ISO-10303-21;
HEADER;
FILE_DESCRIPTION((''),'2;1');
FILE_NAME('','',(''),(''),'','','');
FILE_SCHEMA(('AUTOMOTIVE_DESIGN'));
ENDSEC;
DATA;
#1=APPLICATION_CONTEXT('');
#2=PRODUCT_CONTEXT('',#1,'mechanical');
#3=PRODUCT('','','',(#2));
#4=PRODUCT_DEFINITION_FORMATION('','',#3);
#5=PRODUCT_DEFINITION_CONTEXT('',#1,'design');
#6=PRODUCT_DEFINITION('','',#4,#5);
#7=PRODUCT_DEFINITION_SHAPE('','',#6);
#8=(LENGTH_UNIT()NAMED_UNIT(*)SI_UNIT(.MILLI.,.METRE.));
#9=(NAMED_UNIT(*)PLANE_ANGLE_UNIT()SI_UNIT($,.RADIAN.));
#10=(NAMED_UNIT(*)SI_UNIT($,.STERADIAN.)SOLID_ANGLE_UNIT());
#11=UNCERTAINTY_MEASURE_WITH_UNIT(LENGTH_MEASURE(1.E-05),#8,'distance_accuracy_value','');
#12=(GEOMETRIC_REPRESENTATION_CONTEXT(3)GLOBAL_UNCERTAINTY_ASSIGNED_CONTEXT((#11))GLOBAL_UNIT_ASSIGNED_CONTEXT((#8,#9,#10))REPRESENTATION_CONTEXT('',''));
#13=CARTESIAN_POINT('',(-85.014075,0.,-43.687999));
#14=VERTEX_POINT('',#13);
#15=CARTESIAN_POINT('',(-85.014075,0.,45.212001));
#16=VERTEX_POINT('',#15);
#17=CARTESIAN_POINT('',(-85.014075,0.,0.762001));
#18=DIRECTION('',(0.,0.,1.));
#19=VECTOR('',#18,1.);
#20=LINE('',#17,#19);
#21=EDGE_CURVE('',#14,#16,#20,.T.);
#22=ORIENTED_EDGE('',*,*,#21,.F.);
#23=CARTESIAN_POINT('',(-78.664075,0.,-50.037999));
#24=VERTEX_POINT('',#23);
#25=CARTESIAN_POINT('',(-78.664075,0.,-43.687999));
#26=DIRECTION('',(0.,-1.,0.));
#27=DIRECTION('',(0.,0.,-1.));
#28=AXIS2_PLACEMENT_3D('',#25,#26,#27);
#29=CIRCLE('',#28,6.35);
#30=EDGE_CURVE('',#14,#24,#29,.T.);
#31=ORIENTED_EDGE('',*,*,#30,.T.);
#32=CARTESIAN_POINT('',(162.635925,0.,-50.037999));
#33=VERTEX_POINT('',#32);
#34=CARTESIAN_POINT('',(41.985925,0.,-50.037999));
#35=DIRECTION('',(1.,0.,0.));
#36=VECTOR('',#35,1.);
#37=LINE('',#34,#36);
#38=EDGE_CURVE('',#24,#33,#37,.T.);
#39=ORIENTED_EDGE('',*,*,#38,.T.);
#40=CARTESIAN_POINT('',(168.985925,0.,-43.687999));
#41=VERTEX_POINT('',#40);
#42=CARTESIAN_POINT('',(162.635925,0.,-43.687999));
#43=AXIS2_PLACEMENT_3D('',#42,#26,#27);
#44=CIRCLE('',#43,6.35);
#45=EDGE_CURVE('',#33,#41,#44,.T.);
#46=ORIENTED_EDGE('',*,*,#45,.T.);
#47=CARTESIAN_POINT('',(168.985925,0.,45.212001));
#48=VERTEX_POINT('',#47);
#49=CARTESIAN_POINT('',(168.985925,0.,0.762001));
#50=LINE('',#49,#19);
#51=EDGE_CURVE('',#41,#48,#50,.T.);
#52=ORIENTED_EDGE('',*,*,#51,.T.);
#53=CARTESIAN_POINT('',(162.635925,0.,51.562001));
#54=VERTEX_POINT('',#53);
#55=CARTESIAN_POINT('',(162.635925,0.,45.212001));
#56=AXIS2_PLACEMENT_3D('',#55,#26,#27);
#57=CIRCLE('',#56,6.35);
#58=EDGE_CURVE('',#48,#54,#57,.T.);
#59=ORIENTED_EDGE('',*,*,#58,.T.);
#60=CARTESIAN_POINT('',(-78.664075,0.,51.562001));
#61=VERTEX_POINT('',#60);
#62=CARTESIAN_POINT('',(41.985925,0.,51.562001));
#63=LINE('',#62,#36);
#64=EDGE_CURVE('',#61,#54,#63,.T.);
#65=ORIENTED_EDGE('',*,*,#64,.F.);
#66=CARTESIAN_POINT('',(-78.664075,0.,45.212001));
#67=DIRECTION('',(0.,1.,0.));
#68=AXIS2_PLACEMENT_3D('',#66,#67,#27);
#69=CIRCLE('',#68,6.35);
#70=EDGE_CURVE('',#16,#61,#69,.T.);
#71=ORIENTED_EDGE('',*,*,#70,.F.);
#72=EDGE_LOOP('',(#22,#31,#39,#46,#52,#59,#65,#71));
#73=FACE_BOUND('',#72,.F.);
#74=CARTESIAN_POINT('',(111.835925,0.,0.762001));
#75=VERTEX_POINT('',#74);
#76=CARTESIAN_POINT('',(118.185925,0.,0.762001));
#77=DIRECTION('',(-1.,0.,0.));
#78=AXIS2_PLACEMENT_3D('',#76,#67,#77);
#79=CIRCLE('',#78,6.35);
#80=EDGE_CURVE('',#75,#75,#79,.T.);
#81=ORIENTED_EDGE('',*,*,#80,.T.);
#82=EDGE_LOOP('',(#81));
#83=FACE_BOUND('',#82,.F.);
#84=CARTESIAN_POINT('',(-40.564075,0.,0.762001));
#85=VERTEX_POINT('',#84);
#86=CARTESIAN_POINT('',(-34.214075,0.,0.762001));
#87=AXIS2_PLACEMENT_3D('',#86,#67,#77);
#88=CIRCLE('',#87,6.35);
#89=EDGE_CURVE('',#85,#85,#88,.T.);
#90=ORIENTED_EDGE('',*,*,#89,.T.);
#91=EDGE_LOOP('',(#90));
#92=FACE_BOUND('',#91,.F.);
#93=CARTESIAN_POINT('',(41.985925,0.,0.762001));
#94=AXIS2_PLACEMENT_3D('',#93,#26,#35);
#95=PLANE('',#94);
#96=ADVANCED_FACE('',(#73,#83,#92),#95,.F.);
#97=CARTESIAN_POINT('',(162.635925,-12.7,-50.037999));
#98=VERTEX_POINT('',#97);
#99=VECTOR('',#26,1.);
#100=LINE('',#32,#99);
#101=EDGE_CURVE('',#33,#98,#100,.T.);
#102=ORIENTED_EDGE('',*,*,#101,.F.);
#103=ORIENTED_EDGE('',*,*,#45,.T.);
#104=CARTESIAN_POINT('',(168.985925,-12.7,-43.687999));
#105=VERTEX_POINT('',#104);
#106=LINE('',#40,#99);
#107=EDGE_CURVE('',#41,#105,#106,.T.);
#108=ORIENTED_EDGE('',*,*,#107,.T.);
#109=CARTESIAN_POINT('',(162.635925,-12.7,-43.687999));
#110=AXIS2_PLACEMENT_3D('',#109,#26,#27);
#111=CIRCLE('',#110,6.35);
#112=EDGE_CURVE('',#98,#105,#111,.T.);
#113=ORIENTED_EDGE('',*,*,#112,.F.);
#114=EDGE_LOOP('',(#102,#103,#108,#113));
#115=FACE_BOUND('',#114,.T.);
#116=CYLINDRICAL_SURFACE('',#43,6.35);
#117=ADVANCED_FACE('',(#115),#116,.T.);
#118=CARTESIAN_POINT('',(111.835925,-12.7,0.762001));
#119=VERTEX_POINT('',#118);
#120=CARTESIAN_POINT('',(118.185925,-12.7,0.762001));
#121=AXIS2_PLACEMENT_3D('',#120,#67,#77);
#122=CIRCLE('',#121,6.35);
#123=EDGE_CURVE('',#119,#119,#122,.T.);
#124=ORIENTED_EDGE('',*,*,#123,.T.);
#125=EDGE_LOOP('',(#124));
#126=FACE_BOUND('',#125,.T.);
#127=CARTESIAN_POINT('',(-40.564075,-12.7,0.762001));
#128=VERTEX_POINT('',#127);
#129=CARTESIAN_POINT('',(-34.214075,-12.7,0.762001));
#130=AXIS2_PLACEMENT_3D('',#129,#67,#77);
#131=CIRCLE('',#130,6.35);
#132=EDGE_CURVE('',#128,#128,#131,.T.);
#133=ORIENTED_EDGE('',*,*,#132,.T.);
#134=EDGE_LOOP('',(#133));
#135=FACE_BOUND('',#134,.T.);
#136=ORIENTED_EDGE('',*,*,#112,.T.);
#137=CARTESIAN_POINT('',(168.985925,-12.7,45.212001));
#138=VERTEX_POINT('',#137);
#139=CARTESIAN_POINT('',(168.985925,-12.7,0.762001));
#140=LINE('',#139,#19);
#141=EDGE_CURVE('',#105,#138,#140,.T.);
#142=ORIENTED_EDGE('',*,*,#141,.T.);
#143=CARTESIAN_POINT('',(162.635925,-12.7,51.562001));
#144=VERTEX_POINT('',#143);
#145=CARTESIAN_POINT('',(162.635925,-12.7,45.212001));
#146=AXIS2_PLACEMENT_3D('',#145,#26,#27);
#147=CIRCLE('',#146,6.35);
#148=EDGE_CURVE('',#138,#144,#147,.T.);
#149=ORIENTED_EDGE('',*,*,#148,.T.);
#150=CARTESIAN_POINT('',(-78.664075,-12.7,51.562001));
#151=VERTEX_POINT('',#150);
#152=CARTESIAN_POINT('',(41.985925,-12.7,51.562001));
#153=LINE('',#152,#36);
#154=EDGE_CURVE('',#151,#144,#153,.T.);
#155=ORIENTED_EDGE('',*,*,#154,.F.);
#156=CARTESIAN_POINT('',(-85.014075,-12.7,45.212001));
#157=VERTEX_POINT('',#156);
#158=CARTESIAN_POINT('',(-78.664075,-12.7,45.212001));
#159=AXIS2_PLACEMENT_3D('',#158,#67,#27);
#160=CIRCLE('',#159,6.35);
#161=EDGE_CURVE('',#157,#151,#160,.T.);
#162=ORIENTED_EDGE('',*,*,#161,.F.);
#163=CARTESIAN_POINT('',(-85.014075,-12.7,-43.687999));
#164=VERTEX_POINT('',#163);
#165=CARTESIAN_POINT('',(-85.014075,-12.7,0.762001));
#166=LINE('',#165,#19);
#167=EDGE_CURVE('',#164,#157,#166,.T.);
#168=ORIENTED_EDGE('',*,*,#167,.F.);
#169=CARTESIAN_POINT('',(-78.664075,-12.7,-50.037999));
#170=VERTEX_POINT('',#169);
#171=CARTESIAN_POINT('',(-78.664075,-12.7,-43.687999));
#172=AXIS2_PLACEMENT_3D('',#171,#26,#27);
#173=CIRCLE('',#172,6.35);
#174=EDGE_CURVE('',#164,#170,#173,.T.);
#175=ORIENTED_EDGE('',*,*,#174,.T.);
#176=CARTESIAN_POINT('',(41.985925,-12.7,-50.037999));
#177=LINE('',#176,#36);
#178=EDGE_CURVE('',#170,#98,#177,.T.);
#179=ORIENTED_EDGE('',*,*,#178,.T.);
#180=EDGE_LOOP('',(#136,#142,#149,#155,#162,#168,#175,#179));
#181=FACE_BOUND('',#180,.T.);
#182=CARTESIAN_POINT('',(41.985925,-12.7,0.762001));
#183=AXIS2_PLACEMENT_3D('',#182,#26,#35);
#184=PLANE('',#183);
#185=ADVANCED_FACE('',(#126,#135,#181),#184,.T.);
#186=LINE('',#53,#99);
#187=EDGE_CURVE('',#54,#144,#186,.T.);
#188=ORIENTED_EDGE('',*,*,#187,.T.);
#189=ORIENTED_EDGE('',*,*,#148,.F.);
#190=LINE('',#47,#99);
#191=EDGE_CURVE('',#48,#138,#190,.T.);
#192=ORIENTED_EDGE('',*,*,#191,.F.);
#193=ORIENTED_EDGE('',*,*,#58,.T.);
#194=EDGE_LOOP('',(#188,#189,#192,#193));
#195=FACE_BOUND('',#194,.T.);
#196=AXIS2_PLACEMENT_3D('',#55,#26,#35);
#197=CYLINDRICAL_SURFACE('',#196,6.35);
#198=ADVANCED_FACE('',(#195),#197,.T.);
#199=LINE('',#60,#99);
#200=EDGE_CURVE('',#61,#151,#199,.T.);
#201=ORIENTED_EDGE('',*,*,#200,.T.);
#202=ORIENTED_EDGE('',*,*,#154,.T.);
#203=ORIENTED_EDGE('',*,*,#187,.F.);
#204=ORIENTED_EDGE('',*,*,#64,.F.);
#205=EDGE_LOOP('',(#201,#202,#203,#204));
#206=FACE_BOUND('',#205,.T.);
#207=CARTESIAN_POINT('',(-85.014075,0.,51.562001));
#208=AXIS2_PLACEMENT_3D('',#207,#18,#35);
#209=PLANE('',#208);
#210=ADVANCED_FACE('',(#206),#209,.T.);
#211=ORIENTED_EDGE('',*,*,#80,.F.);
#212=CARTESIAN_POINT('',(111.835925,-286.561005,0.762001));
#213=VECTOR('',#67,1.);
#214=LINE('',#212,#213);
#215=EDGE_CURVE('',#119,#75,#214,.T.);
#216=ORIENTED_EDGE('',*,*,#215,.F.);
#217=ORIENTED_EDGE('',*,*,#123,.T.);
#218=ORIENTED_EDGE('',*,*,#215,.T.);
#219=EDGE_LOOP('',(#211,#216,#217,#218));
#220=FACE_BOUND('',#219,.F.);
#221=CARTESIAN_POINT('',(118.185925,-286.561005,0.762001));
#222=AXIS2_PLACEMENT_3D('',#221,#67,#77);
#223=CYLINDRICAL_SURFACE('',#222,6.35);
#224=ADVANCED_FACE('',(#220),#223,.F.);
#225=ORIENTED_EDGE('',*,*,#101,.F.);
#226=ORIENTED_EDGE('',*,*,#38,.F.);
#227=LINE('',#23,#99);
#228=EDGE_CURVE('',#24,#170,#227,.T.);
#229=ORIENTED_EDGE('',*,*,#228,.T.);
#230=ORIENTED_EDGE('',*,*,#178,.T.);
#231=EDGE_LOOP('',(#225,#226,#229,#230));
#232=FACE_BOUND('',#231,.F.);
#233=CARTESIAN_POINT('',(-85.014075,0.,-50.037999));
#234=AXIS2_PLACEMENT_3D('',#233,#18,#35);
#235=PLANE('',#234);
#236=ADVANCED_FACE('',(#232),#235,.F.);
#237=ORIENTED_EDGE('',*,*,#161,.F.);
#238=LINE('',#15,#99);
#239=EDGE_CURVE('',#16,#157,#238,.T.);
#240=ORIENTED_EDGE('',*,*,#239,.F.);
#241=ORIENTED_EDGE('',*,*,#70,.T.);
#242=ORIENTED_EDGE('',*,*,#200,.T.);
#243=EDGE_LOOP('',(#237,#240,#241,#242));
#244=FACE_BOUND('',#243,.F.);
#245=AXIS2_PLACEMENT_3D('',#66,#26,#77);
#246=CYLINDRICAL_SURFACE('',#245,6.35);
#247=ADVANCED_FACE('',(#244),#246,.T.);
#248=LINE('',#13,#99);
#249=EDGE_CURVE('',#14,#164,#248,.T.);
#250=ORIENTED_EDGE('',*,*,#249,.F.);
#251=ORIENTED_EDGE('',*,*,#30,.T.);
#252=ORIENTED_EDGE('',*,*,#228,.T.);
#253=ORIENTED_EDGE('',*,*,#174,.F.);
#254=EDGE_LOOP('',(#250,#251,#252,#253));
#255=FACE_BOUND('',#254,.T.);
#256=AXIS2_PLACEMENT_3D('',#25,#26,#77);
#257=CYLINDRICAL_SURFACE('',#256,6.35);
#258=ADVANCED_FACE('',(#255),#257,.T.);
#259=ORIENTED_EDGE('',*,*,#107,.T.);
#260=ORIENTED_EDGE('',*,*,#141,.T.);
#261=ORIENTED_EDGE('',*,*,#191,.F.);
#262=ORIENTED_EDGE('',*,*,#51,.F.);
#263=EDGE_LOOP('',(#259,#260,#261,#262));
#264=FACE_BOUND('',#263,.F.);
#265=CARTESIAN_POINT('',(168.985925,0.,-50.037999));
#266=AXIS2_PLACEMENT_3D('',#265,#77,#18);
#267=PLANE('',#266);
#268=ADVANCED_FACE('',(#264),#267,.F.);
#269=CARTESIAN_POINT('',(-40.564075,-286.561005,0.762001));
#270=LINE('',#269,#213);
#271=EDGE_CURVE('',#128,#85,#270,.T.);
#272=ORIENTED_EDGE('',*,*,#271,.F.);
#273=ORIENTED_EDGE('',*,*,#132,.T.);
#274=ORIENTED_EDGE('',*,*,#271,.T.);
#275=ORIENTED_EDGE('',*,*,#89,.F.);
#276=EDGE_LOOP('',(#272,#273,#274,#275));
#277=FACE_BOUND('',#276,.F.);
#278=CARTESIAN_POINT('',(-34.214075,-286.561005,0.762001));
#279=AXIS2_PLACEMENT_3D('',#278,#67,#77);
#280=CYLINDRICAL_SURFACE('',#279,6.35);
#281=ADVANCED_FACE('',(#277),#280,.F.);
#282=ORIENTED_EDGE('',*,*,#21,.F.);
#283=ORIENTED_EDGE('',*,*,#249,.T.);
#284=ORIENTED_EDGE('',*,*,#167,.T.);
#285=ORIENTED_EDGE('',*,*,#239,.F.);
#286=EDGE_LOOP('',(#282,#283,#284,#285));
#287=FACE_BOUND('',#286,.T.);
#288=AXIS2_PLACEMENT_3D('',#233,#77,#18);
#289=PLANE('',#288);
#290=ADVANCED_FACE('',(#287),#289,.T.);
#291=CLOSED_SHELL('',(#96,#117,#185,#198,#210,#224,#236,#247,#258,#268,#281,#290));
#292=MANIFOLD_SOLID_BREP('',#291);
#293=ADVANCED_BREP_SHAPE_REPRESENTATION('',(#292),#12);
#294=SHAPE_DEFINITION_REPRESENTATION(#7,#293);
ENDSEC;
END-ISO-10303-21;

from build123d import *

# Parameters (mm, degrees)
F0_W     = 254
F0_H     = 101.6
F1_DEPTH = 12.7
F2_R     = 6.35
F4_D     = 12.7


with BuildPart() as f1:
    # F0 (on Front) → F1 (new body)
    with BuildSketch(Plane.XZ):
        with Locations((41.985925, 0.762001)):
            Rectangle(F0_W, F0_H)
    extrude(amount=F1_DEPTH)

    # F2
    f2_edges = [f1.edges().sort_by_distance(p)[0] for p in [
        (-85.014075, -6.35, 51.562001),
        (168.985925, -6.35, 51.562001),
        (168.985925, -6.35, -50.037999),
        (-85.014075, -6.35, -50.037999),
    ]]
    fillet(f2_edges, radius=F2_R)

    # F4 (through all)
    with Locations(Plane.XZ.offset(12.7)):
        with Locations((-34.214075, 0.762001), (118.185925, 0.762001)):
            Hole(F4_D / 2)


solid = f1.part
